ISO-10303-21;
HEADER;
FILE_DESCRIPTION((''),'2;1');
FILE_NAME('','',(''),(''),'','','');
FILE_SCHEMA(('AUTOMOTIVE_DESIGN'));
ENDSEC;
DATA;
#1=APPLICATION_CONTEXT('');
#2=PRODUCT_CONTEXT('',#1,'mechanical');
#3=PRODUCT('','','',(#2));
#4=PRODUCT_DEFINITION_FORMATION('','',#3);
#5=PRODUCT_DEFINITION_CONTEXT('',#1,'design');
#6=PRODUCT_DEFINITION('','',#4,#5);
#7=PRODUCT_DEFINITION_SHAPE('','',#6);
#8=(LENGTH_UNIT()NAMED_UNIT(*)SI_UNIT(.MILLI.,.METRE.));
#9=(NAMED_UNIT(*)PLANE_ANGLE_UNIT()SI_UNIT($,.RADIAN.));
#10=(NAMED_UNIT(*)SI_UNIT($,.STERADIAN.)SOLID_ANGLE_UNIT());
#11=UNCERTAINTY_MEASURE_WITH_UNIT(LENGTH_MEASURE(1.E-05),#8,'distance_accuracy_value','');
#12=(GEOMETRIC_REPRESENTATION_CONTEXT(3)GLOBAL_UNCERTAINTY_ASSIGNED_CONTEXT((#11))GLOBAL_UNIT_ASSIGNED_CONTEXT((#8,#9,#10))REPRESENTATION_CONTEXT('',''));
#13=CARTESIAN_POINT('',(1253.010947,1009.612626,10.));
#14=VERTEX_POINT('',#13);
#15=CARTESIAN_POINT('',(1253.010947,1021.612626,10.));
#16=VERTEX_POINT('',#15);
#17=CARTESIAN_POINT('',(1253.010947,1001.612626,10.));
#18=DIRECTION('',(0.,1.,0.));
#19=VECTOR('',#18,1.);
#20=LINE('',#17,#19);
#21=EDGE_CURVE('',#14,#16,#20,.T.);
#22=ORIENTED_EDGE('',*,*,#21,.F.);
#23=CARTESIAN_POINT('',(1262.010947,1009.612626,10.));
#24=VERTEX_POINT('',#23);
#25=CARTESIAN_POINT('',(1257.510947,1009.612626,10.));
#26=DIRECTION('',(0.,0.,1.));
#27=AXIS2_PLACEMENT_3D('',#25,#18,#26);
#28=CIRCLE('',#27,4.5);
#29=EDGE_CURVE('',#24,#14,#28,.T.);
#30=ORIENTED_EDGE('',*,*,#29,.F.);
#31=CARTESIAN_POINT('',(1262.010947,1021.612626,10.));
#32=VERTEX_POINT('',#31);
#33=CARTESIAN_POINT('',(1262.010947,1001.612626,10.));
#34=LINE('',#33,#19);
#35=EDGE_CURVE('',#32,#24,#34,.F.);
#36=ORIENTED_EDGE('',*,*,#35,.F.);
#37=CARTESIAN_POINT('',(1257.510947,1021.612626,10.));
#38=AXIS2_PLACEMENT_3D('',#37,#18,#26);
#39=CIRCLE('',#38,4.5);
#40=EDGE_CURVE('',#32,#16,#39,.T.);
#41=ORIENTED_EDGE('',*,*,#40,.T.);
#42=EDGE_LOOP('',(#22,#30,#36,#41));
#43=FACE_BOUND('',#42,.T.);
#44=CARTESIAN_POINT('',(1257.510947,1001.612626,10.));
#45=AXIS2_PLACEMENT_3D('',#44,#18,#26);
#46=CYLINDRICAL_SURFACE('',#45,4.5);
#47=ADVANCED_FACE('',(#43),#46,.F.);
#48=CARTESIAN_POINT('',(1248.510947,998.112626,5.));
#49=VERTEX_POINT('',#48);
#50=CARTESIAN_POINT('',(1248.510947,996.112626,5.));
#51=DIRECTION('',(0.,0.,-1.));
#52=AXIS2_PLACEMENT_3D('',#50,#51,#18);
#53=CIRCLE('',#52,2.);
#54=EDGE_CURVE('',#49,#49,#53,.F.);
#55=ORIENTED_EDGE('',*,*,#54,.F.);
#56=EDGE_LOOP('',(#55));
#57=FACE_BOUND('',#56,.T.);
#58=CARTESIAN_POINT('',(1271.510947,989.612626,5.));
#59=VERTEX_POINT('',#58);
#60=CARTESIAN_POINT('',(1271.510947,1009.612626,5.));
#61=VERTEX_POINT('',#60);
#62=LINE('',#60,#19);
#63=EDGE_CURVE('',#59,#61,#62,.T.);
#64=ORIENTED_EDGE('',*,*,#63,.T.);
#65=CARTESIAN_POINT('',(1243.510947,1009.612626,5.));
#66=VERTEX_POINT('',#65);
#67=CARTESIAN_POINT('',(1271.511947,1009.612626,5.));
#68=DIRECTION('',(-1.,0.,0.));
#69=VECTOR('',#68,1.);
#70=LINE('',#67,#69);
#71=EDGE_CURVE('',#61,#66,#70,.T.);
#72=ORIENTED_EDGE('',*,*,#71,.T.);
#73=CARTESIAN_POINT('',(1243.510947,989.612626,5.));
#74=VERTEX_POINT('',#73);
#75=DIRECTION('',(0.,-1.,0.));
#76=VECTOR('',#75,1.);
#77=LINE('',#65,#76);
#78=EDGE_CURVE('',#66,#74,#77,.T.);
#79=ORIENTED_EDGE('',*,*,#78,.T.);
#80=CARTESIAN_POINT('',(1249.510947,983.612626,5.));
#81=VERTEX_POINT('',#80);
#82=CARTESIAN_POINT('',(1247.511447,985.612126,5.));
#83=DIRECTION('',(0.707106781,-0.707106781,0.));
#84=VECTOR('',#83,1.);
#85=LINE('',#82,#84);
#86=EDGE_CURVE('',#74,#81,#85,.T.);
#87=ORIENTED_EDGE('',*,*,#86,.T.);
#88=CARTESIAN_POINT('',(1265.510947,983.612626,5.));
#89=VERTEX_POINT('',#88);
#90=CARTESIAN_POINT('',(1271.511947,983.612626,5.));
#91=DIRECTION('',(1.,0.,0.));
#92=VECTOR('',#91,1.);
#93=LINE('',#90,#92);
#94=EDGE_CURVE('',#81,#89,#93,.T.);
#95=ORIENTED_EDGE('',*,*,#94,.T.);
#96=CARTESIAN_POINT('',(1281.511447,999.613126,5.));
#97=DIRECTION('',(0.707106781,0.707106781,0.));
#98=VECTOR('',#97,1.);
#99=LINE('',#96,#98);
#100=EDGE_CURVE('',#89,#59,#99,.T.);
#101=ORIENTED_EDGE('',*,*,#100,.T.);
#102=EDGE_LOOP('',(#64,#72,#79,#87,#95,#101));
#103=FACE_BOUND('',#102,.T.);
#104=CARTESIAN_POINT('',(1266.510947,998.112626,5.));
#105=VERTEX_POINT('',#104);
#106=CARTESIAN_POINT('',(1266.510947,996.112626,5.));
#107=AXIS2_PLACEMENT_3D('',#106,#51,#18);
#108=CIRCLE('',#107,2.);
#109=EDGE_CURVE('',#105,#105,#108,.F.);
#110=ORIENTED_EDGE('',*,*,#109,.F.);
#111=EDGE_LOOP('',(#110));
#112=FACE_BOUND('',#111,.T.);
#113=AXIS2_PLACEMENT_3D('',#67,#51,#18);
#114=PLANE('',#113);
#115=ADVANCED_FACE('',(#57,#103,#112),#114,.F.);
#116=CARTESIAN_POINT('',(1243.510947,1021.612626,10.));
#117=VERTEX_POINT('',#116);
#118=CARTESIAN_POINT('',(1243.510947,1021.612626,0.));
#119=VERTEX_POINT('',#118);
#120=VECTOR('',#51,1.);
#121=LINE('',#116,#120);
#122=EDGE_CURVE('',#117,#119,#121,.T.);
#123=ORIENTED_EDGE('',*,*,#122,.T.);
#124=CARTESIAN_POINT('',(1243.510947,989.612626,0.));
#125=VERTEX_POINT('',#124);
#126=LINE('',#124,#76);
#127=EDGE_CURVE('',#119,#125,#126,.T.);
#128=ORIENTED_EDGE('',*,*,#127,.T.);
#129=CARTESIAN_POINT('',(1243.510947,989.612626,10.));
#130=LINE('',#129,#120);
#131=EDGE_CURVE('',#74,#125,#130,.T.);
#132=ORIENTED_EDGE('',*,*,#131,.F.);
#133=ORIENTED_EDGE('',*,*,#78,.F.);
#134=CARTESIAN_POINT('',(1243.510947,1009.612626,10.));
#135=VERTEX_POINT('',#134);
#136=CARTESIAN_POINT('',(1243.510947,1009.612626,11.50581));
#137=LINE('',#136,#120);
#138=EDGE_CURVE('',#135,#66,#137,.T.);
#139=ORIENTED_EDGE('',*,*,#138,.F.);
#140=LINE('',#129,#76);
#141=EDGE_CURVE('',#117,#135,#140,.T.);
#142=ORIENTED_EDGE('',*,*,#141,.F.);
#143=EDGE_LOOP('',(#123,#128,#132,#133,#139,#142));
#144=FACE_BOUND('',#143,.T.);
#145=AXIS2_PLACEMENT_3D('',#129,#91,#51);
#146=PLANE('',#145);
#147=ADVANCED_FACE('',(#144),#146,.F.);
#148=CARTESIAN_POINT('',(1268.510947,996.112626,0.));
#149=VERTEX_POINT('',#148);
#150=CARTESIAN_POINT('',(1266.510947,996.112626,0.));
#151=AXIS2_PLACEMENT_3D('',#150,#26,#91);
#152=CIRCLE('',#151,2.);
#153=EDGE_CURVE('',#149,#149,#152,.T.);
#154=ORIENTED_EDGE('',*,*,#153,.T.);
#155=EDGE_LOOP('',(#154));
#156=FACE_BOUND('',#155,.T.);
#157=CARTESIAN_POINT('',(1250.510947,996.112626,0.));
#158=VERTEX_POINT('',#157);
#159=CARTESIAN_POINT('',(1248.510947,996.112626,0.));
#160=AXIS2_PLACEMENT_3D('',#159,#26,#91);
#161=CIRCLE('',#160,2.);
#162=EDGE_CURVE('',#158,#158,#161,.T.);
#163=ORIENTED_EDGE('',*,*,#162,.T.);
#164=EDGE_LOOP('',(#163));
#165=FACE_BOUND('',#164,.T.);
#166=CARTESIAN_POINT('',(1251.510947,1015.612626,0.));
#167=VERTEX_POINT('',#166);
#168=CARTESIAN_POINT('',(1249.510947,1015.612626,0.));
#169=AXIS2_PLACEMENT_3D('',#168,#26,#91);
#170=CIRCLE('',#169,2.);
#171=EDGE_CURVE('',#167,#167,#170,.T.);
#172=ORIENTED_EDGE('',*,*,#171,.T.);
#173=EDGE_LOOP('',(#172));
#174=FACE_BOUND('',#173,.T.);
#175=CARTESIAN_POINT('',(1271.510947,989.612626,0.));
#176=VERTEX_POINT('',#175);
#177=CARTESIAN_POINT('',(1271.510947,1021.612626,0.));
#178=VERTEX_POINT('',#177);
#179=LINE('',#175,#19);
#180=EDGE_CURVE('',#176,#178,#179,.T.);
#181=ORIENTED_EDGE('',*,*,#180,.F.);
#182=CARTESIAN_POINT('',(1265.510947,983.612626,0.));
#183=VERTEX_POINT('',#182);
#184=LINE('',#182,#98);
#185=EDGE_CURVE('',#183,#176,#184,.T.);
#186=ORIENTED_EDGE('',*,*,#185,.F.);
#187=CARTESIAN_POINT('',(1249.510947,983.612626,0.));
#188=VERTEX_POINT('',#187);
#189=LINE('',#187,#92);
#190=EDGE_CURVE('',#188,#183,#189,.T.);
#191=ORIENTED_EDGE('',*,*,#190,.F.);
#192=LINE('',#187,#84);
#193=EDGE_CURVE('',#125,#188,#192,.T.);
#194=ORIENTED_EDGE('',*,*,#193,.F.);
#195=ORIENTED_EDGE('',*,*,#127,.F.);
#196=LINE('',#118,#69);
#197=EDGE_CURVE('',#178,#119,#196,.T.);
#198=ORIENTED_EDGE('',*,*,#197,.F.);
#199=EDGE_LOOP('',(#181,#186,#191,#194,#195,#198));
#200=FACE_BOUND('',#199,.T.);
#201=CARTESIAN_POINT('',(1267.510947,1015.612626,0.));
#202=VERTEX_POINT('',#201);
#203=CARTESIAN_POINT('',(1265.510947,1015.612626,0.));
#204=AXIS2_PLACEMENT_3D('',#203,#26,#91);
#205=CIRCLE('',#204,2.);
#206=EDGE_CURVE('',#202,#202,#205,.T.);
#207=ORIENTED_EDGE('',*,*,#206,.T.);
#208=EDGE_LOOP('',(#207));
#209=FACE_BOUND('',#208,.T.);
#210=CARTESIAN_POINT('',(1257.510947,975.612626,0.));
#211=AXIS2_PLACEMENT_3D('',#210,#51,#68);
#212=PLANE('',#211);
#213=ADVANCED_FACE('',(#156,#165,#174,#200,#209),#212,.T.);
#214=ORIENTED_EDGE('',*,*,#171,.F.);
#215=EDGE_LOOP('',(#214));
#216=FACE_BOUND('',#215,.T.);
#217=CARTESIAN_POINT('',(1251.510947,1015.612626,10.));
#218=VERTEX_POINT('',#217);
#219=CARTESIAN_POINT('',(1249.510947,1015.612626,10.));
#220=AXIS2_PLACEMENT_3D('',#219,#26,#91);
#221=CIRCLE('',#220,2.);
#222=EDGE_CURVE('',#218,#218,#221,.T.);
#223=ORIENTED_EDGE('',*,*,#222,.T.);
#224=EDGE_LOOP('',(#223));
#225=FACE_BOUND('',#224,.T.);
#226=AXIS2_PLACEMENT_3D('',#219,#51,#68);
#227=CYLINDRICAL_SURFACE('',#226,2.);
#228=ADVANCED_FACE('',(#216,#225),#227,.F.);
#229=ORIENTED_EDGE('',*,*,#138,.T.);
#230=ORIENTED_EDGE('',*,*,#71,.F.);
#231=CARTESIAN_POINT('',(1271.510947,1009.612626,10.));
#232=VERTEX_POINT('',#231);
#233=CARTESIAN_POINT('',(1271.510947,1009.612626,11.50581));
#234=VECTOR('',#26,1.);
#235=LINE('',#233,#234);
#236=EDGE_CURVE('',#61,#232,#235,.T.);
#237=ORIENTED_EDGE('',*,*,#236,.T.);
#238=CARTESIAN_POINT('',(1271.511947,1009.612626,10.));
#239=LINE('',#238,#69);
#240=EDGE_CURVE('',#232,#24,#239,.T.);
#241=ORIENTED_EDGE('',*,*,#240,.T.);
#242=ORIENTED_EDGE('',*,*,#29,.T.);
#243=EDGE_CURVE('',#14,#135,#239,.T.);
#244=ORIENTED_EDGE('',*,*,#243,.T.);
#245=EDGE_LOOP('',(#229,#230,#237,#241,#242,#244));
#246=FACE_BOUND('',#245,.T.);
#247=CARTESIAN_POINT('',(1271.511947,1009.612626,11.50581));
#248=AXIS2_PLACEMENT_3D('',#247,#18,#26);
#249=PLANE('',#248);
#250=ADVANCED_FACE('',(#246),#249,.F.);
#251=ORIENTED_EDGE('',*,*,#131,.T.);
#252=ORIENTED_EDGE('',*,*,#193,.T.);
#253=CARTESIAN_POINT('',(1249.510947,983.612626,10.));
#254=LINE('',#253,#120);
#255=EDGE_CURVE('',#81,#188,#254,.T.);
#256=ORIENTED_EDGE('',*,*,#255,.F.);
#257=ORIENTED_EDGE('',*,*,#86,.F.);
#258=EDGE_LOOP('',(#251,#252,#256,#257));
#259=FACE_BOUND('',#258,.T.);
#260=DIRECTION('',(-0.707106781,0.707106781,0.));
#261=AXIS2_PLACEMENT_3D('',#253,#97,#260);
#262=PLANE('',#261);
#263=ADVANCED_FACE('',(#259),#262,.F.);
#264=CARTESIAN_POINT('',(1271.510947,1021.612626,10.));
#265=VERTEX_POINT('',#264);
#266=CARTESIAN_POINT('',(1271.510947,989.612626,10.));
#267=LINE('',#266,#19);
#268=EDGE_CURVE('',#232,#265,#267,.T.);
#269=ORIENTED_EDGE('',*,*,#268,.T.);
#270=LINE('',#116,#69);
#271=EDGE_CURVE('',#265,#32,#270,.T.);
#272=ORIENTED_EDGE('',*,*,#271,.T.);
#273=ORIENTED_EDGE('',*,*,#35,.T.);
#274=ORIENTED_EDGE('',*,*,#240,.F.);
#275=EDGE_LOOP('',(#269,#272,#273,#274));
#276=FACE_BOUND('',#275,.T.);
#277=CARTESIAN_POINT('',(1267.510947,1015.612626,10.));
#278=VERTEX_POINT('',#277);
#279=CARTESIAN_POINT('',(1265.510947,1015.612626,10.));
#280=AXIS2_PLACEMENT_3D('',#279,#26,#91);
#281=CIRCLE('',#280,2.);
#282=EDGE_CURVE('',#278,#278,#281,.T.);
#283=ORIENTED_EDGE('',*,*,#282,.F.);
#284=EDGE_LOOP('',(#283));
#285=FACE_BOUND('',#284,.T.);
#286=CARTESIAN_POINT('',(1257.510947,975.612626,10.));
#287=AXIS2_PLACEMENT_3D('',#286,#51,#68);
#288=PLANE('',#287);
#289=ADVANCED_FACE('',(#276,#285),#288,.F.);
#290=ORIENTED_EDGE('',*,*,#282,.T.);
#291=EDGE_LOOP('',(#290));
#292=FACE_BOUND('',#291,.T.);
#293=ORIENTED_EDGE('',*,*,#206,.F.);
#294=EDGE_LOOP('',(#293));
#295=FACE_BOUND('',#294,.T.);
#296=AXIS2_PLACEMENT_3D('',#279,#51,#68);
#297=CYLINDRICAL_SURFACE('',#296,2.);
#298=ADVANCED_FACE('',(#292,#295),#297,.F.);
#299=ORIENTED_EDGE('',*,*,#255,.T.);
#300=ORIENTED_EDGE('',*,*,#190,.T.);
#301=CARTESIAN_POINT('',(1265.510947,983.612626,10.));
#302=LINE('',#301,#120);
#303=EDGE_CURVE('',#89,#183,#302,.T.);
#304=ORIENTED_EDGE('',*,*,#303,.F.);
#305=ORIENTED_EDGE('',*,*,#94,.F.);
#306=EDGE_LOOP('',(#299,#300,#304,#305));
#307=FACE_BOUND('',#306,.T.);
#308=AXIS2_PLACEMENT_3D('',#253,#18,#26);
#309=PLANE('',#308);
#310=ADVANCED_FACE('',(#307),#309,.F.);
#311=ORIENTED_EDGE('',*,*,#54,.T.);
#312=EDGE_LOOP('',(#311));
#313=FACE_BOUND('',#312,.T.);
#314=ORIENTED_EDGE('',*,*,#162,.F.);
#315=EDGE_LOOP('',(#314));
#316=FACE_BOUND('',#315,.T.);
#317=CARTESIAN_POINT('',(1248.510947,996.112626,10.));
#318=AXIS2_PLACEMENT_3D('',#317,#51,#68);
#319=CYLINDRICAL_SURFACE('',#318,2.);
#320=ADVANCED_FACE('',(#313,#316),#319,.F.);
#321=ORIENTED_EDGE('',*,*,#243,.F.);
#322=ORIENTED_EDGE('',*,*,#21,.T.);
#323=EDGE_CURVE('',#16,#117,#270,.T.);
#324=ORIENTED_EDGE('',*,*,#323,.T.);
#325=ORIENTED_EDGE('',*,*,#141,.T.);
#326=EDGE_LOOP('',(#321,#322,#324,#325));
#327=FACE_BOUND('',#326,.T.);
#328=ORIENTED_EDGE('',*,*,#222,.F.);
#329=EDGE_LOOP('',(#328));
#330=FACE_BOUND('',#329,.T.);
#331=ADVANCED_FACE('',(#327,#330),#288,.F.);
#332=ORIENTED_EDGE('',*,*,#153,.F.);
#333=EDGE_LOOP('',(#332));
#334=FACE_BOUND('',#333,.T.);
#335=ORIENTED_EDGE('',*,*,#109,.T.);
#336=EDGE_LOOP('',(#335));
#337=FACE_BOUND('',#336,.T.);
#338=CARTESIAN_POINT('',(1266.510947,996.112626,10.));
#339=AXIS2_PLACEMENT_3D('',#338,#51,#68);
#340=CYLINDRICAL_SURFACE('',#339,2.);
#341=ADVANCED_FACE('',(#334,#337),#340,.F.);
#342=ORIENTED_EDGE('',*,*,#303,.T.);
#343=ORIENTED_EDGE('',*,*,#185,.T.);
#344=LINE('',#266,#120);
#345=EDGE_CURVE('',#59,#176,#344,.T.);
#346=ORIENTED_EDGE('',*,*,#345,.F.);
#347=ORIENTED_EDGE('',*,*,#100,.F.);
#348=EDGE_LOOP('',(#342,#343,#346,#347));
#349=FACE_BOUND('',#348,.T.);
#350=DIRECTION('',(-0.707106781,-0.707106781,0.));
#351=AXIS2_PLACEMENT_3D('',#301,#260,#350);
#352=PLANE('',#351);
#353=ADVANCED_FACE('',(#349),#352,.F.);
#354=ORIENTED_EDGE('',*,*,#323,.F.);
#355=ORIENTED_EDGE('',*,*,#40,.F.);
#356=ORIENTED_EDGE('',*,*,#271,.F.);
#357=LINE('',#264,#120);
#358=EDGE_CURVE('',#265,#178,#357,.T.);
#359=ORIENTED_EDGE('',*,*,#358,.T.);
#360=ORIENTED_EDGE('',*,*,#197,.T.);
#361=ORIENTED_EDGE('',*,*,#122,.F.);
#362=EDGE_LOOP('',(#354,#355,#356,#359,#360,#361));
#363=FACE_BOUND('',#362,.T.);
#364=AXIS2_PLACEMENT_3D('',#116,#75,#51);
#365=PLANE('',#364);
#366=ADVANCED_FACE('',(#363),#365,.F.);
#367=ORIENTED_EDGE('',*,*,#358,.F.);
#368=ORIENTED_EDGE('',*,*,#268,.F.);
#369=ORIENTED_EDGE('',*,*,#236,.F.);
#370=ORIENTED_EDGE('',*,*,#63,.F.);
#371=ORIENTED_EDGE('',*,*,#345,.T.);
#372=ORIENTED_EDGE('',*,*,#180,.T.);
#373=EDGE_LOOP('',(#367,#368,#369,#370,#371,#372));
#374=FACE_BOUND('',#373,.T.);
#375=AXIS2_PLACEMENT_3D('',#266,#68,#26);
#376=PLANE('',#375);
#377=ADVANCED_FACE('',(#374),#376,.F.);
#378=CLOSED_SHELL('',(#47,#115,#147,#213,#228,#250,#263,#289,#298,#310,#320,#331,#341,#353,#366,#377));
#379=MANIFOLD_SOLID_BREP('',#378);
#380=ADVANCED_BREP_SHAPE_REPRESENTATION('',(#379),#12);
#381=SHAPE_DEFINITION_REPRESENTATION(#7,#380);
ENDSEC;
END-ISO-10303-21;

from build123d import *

# Parameters (mm, degrees)
SKETCH_1_R          = 2
EXTRUDE_1_DEPTH     = 10
CUT_EXTRUDE_2_REACH = 1024.045
SKETCH_2_W          = 6.505809731
SKETCH_2_H          = 33.357060804
SKETCH_3_R          = 4.5
CUT_EXTRUDE_3_DEPTH = 20


with BuildPart() as part:
    # 草图1 → 拉伸1 (new body)
    with BuildSketch(Plane.XY):
        Polygon((1243.510947309, 989.612625701), (1243.510947309, 1021.612625701), (1271.510947309, 1021.612625701), (1271.510947309, 989.612625701), (1265.510947309, 983.612625701), (1249.510947309, 983.612625701), align=None)
        with Locations((1265.510947309, 1015.612625701)):
            Circle(SKETCH_1_R, mode=Mode.SUBTRACT)
        with Locations((1249.510947309, 1015.612625701)):
            Circle(SKETCH_1_R, mode=Mode.SUBTRACT)
        with Locations((1248.510947309, 996.112625701)):
            Circle(SKETCH_1_R, mode=Mode.SUBTRACT)
        with Locations((1266.510947309, 996.112625701)):
            Circle(SKETCH_1_R, mode=Mode.SUBTRACT)
    extrude(amount=EXTRUDE_1_DEPTH)

    # 草图2 → 拉伸2 (cut, up to next)
    with BuildSketch(Plane.ZY.offset(-1243.510947309), mode=Mode.PRIVATE) as cut_extrude_2_sk1:
        with Locations((8.252904865, 992.934095299)):
            Rectangle(SKETCH_2_W, SKETCH_2_H)
    cut_extrude_2_tool1 = extrude(cut_extrude_2_sk1.sketch, amount=-CUT_EXTRUDE_2_REACH, mode=Mode.PRIVATE) & part.part
    add(cut_extrude_2_tool1.solids().sort_by_distance((1243.510947, 992.934095, 8.252905))[0], mode=Mode.SUBTRACT)

    # 草图3 → 拉伸3 (cut)
    with BuildSketch(Plane(origin=(0, 1021.612625701, 0), x_dir=(1, 0, 0), z_dir=(0, 1, 0))):
        with Locations((1257.510947309, -10)):
            Circle(SKETCH_3_R)
    extrude(amount=-CUT_EXTRUDE_3_DEPTH, mode=Mode.SUBTRACT)


solid = part.part
